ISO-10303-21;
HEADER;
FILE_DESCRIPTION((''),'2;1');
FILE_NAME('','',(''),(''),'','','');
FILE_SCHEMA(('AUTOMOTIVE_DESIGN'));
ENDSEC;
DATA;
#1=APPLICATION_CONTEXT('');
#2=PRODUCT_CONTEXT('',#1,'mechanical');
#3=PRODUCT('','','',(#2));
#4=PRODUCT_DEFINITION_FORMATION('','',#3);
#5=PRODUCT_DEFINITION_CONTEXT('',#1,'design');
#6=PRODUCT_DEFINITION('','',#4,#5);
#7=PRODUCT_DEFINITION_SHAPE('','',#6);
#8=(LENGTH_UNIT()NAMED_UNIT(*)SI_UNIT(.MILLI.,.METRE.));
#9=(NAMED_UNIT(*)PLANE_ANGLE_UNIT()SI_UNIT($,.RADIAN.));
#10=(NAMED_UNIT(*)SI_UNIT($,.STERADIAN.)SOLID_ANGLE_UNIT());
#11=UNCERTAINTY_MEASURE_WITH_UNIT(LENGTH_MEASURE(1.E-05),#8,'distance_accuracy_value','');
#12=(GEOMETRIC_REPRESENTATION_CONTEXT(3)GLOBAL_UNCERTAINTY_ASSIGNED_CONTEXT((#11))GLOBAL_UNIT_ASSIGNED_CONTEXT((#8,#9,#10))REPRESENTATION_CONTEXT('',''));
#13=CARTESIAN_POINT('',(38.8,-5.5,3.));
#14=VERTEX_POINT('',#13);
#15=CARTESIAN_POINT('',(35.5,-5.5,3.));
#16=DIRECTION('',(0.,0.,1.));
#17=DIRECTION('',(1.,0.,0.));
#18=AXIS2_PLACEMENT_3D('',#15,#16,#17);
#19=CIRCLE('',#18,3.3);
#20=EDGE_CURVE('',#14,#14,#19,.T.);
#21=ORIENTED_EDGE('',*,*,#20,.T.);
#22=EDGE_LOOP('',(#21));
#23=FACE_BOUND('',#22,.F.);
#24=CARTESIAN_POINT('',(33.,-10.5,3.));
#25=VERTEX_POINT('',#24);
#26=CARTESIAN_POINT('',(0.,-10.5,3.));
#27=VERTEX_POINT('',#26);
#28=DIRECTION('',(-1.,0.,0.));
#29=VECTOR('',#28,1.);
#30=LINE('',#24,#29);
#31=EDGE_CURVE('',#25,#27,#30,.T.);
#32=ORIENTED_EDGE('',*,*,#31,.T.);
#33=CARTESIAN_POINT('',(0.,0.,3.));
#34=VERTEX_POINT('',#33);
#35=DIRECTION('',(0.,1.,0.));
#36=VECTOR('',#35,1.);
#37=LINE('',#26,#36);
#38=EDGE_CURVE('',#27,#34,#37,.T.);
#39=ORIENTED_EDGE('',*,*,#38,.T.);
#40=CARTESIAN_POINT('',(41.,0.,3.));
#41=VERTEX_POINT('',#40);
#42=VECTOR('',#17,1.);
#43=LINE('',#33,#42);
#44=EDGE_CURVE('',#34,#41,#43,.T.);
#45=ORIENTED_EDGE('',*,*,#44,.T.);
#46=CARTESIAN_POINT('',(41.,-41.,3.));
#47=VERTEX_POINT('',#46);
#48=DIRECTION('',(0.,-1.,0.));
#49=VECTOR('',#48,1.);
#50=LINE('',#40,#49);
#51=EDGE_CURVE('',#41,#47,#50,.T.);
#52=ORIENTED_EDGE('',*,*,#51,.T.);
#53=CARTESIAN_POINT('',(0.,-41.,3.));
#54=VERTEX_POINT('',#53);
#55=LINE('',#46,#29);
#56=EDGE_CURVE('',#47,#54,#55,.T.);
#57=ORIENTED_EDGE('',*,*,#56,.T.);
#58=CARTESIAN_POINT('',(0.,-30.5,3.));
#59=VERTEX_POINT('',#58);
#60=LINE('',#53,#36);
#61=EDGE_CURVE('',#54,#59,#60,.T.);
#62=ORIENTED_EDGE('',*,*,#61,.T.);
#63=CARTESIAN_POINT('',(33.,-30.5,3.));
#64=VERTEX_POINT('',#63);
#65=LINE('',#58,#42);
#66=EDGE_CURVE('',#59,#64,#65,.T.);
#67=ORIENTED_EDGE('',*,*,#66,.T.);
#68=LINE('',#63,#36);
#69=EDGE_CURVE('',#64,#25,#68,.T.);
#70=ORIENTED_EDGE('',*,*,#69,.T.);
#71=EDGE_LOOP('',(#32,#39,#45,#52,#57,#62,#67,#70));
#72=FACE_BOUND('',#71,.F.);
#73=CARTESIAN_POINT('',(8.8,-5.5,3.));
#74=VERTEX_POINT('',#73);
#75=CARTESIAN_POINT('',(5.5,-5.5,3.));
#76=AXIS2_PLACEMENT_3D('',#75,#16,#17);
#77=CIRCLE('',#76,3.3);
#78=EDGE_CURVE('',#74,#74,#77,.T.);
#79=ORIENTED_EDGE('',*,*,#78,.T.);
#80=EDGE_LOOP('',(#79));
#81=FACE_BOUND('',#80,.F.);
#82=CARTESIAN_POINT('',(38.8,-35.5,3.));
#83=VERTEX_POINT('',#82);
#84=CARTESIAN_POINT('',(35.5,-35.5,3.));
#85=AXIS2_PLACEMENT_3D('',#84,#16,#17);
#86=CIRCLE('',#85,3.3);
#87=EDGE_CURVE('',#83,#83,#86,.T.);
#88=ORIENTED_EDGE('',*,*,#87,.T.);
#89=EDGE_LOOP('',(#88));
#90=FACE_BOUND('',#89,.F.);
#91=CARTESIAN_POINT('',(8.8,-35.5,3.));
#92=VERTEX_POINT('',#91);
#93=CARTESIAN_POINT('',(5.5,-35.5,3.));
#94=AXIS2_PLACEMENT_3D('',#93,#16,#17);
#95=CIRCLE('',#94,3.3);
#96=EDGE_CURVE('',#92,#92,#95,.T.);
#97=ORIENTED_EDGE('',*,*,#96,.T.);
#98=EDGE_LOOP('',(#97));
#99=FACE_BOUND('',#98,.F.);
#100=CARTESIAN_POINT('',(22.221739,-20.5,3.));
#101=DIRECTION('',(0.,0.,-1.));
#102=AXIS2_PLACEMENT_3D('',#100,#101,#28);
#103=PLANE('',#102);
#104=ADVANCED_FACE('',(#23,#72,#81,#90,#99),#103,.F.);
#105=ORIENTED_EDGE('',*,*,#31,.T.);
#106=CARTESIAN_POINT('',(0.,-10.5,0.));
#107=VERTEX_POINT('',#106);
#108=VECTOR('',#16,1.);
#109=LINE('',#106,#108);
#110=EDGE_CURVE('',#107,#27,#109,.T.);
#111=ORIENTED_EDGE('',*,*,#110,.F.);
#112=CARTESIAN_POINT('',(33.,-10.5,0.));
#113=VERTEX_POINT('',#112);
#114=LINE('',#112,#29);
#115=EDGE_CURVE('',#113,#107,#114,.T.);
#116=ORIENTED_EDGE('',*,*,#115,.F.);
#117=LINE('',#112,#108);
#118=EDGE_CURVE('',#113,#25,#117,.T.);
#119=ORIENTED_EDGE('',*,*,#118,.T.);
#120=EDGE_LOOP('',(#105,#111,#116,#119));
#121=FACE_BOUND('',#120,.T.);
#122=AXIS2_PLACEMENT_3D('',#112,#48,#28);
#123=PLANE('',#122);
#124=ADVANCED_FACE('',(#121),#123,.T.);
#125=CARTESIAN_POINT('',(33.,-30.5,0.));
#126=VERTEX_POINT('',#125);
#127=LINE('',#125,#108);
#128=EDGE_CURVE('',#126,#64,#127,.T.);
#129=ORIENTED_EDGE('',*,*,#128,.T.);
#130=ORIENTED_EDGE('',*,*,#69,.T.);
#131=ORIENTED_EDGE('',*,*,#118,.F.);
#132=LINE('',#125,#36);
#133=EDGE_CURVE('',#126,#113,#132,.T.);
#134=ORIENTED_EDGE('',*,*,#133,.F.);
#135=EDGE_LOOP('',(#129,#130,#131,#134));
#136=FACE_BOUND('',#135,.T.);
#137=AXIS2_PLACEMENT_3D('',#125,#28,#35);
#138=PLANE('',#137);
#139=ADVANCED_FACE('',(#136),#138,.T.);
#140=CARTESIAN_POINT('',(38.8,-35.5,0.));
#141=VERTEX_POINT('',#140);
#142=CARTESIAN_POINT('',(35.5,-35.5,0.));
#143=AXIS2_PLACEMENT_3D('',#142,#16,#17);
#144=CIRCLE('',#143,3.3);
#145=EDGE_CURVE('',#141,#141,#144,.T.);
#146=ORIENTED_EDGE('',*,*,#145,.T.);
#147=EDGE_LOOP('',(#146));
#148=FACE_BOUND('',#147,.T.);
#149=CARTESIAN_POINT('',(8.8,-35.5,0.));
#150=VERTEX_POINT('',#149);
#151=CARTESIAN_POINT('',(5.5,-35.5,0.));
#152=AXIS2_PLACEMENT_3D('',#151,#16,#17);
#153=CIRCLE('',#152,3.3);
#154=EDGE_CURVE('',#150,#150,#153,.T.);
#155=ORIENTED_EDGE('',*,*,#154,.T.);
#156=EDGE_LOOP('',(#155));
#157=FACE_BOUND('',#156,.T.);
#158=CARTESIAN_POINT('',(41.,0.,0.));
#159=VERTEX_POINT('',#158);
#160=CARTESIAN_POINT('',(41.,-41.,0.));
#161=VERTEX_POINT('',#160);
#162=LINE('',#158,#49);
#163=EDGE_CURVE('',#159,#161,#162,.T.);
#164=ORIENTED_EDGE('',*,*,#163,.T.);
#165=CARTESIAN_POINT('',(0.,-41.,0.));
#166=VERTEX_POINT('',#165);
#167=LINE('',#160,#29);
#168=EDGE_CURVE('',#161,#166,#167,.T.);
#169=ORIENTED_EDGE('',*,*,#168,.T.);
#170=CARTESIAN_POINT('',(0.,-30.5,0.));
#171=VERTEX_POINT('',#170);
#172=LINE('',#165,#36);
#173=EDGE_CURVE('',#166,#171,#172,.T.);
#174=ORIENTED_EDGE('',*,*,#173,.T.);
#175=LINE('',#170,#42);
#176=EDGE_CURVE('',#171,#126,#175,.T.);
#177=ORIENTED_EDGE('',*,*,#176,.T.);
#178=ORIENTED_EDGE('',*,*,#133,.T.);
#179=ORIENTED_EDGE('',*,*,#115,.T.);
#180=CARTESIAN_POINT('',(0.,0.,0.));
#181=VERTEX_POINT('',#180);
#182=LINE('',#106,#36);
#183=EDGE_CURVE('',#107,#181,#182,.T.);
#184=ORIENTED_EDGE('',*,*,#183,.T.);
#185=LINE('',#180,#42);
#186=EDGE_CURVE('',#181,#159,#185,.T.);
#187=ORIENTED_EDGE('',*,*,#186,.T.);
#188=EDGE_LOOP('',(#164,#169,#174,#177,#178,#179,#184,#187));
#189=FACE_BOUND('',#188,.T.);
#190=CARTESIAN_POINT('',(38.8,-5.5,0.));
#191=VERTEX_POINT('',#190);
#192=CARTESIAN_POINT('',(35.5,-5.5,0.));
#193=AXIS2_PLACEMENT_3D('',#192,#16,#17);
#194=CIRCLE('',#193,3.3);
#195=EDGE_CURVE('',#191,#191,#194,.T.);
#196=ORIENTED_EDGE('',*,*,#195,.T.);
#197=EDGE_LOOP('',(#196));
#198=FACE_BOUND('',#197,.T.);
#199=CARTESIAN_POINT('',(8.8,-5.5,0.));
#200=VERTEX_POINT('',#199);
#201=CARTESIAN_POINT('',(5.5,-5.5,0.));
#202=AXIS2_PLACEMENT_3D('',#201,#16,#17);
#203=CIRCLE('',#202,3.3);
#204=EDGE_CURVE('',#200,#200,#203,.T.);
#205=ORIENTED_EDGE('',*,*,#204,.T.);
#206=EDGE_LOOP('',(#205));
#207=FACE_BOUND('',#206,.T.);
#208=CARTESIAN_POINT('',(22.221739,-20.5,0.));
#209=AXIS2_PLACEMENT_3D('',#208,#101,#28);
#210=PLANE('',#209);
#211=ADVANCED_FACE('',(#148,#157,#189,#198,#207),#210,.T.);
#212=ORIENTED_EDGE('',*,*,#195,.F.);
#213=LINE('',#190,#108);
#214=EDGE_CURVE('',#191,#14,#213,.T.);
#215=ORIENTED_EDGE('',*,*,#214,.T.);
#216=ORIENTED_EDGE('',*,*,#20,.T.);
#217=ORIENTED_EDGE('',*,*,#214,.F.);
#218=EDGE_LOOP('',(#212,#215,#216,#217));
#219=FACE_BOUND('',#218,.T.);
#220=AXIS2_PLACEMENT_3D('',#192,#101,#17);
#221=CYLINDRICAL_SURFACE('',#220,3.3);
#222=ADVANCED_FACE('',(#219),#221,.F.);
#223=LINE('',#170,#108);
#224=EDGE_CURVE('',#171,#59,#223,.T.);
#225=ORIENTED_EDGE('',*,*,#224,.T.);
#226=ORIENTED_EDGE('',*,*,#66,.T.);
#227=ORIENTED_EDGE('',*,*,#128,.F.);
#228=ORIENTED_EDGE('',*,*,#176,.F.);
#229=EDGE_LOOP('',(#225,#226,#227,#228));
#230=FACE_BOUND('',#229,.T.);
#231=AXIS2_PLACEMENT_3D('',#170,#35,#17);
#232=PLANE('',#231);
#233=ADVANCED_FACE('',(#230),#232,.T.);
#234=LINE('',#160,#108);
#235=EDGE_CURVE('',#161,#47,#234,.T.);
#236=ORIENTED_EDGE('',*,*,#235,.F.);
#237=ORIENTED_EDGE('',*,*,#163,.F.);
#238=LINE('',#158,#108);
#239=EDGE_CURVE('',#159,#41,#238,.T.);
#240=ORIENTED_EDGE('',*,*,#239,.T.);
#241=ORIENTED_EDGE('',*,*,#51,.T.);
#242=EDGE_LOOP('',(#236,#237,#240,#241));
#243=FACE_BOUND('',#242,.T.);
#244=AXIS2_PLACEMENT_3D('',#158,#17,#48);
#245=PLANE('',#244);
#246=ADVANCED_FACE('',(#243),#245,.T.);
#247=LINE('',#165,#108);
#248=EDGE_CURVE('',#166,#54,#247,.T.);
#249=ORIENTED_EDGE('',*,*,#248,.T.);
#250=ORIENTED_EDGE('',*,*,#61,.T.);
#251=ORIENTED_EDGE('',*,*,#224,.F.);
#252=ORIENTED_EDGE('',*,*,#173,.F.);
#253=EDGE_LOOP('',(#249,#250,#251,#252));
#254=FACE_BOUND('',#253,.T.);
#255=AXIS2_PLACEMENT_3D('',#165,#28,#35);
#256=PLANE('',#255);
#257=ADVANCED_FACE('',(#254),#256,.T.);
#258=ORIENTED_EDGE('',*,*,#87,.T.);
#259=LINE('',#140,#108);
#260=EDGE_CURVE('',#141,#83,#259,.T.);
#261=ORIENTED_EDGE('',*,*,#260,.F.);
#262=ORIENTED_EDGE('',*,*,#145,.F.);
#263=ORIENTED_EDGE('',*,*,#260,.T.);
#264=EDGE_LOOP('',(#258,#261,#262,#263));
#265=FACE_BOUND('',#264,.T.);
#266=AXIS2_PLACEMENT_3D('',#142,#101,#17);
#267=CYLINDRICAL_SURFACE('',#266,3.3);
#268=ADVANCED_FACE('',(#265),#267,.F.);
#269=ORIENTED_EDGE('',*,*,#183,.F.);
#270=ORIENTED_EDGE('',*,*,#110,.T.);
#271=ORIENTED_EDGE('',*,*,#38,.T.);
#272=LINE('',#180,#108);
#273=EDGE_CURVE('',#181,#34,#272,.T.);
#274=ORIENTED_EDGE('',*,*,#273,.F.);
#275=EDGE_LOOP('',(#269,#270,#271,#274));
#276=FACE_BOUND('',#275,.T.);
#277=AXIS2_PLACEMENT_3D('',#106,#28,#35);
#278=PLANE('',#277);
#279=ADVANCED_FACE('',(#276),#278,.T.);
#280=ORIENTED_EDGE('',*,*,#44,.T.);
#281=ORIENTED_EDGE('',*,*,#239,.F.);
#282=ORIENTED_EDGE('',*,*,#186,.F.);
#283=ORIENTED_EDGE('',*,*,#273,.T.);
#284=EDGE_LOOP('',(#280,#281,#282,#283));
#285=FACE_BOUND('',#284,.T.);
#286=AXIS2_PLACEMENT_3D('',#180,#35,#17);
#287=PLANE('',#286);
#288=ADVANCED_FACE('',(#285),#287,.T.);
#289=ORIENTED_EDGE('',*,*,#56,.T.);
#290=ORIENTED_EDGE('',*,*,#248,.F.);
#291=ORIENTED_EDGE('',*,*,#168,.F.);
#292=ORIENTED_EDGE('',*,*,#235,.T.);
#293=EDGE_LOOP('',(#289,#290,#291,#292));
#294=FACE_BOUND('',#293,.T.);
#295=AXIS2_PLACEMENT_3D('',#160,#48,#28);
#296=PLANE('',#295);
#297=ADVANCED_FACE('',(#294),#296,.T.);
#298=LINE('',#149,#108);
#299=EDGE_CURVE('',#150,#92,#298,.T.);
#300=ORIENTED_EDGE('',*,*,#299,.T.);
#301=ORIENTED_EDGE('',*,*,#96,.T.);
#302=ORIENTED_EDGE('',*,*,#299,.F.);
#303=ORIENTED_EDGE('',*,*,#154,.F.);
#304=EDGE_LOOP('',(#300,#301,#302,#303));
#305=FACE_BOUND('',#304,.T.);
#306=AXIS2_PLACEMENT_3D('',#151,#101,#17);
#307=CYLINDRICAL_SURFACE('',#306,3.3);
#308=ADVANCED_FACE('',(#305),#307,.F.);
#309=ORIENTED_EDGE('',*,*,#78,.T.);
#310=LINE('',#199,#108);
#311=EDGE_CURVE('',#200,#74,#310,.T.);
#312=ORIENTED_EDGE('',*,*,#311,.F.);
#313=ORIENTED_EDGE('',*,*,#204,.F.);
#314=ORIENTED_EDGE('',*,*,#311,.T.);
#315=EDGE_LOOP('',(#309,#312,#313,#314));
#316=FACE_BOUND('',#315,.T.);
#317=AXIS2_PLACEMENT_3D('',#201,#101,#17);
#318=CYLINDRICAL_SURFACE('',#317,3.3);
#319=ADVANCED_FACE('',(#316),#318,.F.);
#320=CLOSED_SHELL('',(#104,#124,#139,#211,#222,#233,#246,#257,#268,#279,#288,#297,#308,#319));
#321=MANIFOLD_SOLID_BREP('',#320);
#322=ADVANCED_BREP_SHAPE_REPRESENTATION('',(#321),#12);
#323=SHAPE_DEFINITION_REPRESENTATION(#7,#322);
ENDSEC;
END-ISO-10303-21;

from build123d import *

# Parameters (mm, degrees)
SKETCH_R  = 3.3
PAD_DEPTH = 3


with BuildPart() as part:
    # Sketch → Pad (new body)
    with BuildSketch(Plane.XY):
        Polygon((0, 0), (41, 0), (41, -41), (0, -41), (0, -30.5), (33, -30.5), (33, -10.5), (0, -10.5), align=None)
        with Locations((5.5, -5.5)):
            Circle(SKETCH_R, mode=Mode.SUBTRACT)
        with Locations((35.5, -5.5)):
            Circle(SKETCH_R, mode=Mode.SUBTRACT)
        with Locations((5.5, -35.5)):
            Circle(SKETCH_R, mode=Mode.SUBTRACT)
        with Locations((35.5, -35.5)):
            Circle(SKETCH_R, mode=Mode.SUBTRACT)
    extrude(amount=PAD_DEPTH)


solid = part.part
